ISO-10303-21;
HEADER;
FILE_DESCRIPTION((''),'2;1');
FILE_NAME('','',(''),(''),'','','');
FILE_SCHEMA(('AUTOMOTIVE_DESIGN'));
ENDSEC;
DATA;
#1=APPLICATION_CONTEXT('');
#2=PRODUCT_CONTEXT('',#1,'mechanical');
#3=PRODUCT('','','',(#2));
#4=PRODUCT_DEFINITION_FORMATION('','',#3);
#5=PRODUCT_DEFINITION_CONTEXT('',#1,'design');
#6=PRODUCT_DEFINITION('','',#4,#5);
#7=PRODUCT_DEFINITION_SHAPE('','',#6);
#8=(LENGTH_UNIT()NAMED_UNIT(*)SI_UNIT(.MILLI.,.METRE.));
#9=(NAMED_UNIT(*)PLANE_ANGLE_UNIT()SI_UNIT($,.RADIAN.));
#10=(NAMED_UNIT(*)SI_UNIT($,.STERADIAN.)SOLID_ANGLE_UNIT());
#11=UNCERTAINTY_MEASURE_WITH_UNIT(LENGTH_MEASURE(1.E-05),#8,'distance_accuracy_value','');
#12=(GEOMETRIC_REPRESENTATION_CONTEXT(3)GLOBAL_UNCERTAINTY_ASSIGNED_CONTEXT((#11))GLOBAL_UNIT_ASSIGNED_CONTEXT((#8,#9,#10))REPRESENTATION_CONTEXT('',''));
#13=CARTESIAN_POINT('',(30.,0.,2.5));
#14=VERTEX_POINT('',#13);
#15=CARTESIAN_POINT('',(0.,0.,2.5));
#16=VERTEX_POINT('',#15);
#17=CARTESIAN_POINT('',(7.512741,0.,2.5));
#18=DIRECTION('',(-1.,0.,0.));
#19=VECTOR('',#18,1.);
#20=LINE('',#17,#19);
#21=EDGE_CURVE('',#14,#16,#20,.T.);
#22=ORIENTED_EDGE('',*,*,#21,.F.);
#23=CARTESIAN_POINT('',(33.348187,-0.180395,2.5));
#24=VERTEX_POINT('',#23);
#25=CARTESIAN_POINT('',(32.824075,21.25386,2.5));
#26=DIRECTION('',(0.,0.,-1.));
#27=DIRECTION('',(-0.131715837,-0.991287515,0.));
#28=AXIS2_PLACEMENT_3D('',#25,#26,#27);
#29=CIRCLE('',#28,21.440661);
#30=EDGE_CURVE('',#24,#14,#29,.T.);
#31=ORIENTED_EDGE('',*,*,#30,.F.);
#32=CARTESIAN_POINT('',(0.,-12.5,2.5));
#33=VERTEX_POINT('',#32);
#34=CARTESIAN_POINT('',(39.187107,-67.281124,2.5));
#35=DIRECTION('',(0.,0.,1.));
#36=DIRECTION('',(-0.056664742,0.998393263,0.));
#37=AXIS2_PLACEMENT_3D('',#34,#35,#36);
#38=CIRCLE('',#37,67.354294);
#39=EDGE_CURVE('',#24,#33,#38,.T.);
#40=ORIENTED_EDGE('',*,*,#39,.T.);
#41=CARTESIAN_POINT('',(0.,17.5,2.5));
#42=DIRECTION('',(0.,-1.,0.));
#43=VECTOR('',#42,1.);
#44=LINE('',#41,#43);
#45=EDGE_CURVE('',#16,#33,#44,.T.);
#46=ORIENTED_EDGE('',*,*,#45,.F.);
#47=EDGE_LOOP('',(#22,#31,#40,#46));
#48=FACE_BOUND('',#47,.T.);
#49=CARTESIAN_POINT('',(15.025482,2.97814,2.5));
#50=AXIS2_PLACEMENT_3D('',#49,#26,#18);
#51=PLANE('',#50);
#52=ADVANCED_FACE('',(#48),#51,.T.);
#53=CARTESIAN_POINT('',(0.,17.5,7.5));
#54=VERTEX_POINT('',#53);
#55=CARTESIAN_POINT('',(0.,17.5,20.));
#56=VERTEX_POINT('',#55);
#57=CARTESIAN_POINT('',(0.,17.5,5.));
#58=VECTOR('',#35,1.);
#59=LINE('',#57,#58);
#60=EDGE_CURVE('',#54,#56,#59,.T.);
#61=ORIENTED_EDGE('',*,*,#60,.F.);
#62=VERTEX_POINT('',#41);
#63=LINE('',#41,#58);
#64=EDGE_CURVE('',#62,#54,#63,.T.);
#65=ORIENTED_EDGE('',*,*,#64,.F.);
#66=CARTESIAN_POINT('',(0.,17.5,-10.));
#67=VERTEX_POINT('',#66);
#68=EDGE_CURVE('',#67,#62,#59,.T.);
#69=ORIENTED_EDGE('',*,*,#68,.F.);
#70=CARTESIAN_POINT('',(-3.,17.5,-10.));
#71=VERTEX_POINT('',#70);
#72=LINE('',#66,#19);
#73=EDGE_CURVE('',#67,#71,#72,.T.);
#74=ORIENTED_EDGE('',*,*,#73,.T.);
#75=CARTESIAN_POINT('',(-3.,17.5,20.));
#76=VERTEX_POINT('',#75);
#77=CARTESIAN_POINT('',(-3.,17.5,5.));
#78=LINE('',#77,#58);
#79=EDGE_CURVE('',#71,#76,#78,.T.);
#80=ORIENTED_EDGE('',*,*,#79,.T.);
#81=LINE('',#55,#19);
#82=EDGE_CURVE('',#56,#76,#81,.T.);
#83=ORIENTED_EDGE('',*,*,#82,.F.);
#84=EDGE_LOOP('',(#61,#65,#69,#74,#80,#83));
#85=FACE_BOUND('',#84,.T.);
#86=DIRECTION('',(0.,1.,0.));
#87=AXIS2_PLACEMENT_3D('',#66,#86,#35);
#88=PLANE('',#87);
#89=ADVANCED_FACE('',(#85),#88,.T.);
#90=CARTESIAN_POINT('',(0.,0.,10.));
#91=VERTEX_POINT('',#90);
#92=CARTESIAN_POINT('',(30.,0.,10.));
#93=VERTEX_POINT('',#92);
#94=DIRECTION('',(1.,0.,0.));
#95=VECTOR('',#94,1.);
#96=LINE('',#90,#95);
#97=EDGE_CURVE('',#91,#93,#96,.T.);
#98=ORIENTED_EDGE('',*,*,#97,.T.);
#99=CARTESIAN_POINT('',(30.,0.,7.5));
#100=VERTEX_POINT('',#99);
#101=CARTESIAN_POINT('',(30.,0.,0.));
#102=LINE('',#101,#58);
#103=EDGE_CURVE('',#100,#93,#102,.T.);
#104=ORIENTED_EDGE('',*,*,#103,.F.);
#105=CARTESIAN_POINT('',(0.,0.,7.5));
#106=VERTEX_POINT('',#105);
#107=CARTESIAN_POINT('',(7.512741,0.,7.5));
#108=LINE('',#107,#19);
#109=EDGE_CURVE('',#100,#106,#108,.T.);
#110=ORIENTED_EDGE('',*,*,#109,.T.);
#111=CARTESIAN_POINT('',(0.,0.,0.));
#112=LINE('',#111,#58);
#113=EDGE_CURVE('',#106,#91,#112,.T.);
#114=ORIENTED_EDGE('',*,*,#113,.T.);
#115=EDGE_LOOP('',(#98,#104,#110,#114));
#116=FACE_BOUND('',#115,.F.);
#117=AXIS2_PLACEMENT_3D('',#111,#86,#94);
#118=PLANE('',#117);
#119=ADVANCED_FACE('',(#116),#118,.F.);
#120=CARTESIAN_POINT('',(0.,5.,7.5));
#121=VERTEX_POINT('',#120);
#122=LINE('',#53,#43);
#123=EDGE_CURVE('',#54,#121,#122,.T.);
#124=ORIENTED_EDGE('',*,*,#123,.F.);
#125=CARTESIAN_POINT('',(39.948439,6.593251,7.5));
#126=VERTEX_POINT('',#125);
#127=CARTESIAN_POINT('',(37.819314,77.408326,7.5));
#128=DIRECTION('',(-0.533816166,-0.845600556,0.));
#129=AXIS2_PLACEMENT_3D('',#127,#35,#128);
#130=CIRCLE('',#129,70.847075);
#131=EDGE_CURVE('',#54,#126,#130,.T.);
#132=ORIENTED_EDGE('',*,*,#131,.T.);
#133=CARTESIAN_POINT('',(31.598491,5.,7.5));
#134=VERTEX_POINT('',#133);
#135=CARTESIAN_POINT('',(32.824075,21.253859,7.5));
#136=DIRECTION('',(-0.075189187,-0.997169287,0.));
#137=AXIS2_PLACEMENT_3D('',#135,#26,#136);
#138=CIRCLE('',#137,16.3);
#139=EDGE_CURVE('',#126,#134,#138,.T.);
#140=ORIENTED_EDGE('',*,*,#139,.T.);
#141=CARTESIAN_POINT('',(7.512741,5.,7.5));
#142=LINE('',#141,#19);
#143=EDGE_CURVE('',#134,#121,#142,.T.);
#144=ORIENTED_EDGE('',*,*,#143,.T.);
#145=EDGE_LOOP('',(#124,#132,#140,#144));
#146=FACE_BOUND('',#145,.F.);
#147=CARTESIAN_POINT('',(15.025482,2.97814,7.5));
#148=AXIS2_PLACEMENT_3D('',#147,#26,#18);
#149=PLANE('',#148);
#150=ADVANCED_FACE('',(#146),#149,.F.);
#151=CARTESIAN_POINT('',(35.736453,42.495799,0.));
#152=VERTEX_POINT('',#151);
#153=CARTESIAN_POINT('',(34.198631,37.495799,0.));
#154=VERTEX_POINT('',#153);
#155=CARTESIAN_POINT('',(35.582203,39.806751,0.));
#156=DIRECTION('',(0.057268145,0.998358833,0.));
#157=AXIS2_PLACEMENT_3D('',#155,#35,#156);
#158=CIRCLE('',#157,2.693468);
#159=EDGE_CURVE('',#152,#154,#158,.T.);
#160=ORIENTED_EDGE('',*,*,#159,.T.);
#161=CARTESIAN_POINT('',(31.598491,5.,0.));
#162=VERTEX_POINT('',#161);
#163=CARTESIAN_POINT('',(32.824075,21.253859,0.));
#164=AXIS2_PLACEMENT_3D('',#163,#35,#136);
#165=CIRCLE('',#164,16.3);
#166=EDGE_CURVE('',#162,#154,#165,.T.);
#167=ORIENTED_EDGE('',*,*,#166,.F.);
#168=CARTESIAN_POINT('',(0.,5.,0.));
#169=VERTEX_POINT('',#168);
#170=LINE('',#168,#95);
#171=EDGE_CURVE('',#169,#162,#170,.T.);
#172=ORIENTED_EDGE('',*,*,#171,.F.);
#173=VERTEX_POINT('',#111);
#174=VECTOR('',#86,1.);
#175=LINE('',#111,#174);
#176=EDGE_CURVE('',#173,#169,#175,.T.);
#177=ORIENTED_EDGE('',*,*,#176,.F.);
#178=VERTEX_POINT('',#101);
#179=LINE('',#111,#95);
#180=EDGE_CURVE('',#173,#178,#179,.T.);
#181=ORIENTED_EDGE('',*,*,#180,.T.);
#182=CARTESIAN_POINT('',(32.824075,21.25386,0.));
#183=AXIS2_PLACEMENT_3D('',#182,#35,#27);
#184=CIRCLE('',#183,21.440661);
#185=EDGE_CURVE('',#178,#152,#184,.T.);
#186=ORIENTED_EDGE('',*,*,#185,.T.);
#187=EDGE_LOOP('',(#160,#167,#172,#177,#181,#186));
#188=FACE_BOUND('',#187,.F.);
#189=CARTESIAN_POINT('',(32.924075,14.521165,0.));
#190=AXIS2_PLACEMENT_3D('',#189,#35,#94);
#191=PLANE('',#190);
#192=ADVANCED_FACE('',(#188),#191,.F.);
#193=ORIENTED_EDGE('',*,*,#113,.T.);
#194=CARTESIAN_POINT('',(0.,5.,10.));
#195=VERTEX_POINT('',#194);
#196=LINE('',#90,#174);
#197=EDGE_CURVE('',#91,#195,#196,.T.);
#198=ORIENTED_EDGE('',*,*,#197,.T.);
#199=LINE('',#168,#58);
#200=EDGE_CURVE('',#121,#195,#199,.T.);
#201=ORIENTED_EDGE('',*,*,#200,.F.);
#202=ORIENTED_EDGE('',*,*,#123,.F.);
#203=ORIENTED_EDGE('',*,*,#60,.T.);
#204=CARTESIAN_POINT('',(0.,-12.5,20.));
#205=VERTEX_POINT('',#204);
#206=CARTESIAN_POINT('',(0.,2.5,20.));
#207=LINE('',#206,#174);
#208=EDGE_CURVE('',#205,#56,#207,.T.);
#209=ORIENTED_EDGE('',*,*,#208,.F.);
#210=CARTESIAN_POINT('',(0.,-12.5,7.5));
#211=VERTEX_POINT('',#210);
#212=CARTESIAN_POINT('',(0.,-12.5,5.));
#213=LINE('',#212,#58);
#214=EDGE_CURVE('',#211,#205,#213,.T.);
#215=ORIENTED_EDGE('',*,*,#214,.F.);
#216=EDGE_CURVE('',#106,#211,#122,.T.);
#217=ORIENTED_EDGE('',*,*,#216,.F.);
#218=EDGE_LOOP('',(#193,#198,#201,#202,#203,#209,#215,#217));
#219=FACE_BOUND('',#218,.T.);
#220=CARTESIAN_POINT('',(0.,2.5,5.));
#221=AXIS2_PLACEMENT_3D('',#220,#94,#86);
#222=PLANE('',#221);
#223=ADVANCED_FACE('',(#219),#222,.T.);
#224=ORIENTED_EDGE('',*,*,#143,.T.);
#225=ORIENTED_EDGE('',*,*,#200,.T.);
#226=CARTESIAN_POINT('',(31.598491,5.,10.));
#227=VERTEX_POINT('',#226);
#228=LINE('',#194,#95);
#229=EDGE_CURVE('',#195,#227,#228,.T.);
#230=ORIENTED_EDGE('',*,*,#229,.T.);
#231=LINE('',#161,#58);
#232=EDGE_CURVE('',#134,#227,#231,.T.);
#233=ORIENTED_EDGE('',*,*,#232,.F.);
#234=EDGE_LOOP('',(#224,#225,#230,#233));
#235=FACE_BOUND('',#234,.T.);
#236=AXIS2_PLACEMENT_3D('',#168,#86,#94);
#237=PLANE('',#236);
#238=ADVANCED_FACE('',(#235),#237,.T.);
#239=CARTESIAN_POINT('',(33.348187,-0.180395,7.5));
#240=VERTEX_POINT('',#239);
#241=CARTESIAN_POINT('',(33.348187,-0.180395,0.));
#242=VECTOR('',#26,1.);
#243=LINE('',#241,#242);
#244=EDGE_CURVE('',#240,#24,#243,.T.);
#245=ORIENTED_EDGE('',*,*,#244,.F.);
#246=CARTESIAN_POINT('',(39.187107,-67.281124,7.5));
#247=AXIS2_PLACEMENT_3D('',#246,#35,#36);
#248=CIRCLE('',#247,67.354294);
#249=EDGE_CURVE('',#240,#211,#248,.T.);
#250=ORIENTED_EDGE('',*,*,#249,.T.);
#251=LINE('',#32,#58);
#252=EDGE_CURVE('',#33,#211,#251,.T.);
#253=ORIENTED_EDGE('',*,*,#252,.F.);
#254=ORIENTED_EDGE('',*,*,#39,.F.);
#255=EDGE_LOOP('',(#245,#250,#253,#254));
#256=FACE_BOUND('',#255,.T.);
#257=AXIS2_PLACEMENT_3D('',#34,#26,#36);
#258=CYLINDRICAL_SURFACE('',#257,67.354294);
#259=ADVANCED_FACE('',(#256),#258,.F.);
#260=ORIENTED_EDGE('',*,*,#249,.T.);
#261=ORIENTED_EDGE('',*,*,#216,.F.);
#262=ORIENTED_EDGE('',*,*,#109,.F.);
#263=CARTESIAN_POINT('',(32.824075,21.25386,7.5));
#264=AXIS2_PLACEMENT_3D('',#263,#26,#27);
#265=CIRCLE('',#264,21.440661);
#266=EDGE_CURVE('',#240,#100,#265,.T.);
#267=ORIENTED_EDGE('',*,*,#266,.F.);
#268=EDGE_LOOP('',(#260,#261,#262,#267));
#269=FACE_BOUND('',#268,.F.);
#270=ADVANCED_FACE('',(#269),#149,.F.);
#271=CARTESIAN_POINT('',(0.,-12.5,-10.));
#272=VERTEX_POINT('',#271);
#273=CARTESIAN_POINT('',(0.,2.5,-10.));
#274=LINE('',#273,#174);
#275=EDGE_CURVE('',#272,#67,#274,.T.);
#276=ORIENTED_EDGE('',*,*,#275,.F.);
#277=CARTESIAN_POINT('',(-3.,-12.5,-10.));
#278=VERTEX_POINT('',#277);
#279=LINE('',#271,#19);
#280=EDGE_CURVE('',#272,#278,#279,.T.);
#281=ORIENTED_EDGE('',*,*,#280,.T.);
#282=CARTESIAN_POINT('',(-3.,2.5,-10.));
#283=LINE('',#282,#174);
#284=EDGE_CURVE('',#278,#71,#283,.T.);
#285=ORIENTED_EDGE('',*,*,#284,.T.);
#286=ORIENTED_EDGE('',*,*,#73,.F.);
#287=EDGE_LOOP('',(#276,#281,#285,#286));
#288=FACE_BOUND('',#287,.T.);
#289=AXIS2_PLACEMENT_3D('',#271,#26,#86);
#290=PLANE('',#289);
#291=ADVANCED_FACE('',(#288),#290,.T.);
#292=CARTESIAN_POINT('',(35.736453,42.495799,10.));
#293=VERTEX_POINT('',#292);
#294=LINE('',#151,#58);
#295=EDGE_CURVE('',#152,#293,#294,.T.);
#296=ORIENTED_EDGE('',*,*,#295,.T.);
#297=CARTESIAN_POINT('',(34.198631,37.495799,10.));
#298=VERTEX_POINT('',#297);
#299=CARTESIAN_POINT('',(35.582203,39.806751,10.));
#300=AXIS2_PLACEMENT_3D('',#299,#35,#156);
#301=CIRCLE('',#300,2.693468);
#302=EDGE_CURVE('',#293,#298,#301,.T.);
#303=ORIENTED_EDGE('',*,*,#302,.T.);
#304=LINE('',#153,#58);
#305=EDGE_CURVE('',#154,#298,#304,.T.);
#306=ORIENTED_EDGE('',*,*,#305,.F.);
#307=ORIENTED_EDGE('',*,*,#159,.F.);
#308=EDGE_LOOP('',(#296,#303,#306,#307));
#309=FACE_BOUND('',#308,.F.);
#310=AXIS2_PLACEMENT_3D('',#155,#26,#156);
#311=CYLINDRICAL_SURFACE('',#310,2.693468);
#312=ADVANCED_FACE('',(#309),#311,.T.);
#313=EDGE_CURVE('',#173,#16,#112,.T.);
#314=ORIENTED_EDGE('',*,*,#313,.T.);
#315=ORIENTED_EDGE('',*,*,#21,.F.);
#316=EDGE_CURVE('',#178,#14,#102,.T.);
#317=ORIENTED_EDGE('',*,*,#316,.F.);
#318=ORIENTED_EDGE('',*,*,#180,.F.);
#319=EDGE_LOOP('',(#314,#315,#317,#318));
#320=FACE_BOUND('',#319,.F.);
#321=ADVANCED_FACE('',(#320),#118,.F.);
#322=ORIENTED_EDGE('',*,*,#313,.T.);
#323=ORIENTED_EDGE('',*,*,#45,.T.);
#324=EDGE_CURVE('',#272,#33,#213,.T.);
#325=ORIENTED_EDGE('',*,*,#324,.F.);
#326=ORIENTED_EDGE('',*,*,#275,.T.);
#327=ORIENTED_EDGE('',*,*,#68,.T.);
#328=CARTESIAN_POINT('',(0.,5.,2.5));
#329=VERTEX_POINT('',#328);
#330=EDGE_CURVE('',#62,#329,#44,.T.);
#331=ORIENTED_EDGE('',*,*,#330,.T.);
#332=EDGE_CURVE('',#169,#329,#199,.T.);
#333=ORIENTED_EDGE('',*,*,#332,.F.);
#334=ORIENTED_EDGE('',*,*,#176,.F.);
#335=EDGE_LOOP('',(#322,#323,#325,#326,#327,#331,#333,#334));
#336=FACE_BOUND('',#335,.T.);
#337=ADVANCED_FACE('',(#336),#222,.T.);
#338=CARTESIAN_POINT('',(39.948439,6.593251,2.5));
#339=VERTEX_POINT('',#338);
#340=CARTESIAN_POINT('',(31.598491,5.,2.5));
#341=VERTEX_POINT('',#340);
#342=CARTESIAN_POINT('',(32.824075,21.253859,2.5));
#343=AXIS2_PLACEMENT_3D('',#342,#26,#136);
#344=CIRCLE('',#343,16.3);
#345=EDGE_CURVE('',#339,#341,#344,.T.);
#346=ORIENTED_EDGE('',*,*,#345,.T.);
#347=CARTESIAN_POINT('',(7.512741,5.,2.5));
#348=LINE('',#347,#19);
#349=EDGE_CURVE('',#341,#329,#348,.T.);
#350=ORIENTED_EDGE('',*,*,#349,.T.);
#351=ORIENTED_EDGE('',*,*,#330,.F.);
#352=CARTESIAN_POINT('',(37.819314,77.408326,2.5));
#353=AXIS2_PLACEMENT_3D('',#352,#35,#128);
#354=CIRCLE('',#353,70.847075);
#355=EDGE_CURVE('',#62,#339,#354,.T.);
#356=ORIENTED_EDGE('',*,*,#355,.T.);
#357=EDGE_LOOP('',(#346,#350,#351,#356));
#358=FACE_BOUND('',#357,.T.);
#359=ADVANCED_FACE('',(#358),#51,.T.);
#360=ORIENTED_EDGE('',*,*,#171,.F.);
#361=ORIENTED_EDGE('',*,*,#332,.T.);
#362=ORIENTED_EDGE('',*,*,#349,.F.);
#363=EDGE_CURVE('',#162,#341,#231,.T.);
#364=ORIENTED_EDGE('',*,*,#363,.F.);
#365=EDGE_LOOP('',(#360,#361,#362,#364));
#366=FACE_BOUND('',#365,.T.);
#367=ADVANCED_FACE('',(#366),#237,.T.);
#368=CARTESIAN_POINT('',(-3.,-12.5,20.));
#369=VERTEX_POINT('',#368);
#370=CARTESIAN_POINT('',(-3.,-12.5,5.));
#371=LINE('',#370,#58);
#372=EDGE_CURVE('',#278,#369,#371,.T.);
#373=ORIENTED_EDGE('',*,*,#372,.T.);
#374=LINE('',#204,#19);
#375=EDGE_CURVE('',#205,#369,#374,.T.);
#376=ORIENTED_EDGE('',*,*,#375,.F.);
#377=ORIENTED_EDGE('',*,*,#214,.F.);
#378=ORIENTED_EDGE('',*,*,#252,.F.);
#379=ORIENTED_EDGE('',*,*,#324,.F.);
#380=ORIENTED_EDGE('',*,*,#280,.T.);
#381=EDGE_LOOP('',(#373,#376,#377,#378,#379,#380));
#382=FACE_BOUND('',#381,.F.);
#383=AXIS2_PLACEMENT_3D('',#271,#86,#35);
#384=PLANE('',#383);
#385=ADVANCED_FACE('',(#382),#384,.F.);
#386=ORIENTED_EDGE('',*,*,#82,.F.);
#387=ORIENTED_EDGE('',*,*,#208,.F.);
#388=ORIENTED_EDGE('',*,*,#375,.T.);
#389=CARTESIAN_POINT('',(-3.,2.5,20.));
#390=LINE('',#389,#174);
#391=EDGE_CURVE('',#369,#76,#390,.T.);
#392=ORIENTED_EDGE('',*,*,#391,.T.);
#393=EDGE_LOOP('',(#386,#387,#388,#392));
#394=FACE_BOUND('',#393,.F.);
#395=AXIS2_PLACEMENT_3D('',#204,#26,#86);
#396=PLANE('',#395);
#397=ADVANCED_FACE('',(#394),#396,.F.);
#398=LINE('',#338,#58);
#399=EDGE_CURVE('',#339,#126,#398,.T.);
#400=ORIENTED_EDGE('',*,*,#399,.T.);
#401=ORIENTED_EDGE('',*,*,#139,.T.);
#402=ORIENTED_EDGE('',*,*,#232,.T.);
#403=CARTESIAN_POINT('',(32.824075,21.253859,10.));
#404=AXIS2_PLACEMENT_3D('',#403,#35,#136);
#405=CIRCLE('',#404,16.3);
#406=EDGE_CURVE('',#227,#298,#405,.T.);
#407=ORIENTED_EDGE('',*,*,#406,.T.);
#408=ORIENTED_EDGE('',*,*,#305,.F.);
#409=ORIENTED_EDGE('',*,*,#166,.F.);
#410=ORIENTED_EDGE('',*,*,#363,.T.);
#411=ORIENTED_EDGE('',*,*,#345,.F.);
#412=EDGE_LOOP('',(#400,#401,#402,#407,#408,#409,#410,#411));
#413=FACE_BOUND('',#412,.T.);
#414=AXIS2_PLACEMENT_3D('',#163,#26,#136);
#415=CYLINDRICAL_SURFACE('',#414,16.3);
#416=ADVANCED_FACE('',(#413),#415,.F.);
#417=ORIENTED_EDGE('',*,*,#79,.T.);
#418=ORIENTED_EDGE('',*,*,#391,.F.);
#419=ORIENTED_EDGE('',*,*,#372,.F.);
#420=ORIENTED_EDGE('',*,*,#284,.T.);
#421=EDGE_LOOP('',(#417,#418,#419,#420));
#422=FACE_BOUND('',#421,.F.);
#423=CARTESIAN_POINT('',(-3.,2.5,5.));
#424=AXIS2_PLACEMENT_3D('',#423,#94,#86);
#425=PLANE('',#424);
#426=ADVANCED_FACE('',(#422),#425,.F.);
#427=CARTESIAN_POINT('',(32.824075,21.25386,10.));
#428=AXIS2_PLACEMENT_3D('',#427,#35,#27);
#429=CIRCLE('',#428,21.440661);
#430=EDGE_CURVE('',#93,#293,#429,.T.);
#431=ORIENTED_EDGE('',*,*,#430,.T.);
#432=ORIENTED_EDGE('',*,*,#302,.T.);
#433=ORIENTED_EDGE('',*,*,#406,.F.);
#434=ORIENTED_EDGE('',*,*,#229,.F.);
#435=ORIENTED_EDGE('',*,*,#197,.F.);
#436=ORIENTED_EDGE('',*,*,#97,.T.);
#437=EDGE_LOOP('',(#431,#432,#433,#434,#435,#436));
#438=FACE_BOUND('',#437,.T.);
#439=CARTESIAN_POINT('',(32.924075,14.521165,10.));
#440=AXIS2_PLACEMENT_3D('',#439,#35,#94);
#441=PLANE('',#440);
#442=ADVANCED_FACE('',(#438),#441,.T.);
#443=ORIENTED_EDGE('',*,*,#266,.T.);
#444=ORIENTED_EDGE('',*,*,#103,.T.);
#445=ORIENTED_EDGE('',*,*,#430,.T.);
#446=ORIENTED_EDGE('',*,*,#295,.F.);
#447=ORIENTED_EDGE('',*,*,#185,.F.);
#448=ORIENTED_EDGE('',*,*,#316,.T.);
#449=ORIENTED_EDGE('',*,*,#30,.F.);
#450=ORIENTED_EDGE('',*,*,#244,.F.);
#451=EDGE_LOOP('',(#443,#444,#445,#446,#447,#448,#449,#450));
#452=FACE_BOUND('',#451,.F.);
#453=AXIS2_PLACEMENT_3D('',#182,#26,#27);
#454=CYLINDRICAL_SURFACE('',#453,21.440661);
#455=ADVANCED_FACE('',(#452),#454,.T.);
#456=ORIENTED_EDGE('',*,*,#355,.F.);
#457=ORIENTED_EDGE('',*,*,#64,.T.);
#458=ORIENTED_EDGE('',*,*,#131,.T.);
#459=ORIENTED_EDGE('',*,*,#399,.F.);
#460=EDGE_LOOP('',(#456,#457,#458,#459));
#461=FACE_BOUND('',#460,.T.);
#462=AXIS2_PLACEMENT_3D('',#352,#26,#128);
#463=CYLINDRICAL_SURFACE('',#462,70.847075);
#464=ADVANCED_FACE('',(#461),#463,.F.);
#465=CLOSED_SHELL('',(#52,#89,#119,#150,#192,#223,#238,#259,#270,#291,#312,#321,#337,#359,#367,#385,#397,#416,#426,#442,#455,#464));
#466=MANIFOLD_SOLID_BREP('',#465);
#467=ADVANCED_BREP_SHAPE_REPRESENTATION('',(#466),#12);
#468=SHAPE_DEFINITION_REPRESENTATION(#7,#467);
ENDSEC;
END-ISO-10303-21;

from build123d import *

# Parameters (mm, degrees)
PAD_DEPTH    = 10
SKETCH001_W  = 30
SKETCH001_H  = 30
PAD001_DEPTH = 3
PAD002_DEPTH = 5


with BuildPart() as part:
    # Sketch → Pad (new body)
    with BuildSketch(Plane.XY):
        with BuildLine():
            Line((0, 0), (30, 0))
            ThreePointArc((30, 0), (54.07202, 18.385627), (35.736453, 42.495799))
            ThreePointArc((35.736453, 42.495799), (33.00775, 40.598561), (34.198631, 37.495799))
            ThreePointArc((31.598491, 5), (49.072145, 19.953776), (34.198631, 37.495799))
            Line((0, 5), (31.598491, 5))
            Line((0, 0), (0, 5))
        make_face()
    extrude(amount=PAD_DEPTH)

    # Sketch001 → Pad001 (join)
    with BuildSketch(Plane.YZ):
        with Locations((2.5, 5)):
            Rectangle(SKETCH001_W, SKETCH001_H)
    extrude(amount=-PAD001_DEPTH)

    # Sketch002 → Pad002 (join)
    with BuildSketch(Plane.XY.offset(2.5)):
        with BuildLine():
            ThreePointArc((0, 17.5), (19.159552, 9.062724), (39.948439, 6.593251))
            Line((39.948439, 6.593251), (35.370493, -0.035051))
            ThreePointArc((35.370493, -0.035051), (16.800197, -3.756112), (0, -12.5))
            Line((0, 17.5), (0, -12.5))
        make_face()
    extrude(amount=PAD002_DEPTH)


solid = part.part
